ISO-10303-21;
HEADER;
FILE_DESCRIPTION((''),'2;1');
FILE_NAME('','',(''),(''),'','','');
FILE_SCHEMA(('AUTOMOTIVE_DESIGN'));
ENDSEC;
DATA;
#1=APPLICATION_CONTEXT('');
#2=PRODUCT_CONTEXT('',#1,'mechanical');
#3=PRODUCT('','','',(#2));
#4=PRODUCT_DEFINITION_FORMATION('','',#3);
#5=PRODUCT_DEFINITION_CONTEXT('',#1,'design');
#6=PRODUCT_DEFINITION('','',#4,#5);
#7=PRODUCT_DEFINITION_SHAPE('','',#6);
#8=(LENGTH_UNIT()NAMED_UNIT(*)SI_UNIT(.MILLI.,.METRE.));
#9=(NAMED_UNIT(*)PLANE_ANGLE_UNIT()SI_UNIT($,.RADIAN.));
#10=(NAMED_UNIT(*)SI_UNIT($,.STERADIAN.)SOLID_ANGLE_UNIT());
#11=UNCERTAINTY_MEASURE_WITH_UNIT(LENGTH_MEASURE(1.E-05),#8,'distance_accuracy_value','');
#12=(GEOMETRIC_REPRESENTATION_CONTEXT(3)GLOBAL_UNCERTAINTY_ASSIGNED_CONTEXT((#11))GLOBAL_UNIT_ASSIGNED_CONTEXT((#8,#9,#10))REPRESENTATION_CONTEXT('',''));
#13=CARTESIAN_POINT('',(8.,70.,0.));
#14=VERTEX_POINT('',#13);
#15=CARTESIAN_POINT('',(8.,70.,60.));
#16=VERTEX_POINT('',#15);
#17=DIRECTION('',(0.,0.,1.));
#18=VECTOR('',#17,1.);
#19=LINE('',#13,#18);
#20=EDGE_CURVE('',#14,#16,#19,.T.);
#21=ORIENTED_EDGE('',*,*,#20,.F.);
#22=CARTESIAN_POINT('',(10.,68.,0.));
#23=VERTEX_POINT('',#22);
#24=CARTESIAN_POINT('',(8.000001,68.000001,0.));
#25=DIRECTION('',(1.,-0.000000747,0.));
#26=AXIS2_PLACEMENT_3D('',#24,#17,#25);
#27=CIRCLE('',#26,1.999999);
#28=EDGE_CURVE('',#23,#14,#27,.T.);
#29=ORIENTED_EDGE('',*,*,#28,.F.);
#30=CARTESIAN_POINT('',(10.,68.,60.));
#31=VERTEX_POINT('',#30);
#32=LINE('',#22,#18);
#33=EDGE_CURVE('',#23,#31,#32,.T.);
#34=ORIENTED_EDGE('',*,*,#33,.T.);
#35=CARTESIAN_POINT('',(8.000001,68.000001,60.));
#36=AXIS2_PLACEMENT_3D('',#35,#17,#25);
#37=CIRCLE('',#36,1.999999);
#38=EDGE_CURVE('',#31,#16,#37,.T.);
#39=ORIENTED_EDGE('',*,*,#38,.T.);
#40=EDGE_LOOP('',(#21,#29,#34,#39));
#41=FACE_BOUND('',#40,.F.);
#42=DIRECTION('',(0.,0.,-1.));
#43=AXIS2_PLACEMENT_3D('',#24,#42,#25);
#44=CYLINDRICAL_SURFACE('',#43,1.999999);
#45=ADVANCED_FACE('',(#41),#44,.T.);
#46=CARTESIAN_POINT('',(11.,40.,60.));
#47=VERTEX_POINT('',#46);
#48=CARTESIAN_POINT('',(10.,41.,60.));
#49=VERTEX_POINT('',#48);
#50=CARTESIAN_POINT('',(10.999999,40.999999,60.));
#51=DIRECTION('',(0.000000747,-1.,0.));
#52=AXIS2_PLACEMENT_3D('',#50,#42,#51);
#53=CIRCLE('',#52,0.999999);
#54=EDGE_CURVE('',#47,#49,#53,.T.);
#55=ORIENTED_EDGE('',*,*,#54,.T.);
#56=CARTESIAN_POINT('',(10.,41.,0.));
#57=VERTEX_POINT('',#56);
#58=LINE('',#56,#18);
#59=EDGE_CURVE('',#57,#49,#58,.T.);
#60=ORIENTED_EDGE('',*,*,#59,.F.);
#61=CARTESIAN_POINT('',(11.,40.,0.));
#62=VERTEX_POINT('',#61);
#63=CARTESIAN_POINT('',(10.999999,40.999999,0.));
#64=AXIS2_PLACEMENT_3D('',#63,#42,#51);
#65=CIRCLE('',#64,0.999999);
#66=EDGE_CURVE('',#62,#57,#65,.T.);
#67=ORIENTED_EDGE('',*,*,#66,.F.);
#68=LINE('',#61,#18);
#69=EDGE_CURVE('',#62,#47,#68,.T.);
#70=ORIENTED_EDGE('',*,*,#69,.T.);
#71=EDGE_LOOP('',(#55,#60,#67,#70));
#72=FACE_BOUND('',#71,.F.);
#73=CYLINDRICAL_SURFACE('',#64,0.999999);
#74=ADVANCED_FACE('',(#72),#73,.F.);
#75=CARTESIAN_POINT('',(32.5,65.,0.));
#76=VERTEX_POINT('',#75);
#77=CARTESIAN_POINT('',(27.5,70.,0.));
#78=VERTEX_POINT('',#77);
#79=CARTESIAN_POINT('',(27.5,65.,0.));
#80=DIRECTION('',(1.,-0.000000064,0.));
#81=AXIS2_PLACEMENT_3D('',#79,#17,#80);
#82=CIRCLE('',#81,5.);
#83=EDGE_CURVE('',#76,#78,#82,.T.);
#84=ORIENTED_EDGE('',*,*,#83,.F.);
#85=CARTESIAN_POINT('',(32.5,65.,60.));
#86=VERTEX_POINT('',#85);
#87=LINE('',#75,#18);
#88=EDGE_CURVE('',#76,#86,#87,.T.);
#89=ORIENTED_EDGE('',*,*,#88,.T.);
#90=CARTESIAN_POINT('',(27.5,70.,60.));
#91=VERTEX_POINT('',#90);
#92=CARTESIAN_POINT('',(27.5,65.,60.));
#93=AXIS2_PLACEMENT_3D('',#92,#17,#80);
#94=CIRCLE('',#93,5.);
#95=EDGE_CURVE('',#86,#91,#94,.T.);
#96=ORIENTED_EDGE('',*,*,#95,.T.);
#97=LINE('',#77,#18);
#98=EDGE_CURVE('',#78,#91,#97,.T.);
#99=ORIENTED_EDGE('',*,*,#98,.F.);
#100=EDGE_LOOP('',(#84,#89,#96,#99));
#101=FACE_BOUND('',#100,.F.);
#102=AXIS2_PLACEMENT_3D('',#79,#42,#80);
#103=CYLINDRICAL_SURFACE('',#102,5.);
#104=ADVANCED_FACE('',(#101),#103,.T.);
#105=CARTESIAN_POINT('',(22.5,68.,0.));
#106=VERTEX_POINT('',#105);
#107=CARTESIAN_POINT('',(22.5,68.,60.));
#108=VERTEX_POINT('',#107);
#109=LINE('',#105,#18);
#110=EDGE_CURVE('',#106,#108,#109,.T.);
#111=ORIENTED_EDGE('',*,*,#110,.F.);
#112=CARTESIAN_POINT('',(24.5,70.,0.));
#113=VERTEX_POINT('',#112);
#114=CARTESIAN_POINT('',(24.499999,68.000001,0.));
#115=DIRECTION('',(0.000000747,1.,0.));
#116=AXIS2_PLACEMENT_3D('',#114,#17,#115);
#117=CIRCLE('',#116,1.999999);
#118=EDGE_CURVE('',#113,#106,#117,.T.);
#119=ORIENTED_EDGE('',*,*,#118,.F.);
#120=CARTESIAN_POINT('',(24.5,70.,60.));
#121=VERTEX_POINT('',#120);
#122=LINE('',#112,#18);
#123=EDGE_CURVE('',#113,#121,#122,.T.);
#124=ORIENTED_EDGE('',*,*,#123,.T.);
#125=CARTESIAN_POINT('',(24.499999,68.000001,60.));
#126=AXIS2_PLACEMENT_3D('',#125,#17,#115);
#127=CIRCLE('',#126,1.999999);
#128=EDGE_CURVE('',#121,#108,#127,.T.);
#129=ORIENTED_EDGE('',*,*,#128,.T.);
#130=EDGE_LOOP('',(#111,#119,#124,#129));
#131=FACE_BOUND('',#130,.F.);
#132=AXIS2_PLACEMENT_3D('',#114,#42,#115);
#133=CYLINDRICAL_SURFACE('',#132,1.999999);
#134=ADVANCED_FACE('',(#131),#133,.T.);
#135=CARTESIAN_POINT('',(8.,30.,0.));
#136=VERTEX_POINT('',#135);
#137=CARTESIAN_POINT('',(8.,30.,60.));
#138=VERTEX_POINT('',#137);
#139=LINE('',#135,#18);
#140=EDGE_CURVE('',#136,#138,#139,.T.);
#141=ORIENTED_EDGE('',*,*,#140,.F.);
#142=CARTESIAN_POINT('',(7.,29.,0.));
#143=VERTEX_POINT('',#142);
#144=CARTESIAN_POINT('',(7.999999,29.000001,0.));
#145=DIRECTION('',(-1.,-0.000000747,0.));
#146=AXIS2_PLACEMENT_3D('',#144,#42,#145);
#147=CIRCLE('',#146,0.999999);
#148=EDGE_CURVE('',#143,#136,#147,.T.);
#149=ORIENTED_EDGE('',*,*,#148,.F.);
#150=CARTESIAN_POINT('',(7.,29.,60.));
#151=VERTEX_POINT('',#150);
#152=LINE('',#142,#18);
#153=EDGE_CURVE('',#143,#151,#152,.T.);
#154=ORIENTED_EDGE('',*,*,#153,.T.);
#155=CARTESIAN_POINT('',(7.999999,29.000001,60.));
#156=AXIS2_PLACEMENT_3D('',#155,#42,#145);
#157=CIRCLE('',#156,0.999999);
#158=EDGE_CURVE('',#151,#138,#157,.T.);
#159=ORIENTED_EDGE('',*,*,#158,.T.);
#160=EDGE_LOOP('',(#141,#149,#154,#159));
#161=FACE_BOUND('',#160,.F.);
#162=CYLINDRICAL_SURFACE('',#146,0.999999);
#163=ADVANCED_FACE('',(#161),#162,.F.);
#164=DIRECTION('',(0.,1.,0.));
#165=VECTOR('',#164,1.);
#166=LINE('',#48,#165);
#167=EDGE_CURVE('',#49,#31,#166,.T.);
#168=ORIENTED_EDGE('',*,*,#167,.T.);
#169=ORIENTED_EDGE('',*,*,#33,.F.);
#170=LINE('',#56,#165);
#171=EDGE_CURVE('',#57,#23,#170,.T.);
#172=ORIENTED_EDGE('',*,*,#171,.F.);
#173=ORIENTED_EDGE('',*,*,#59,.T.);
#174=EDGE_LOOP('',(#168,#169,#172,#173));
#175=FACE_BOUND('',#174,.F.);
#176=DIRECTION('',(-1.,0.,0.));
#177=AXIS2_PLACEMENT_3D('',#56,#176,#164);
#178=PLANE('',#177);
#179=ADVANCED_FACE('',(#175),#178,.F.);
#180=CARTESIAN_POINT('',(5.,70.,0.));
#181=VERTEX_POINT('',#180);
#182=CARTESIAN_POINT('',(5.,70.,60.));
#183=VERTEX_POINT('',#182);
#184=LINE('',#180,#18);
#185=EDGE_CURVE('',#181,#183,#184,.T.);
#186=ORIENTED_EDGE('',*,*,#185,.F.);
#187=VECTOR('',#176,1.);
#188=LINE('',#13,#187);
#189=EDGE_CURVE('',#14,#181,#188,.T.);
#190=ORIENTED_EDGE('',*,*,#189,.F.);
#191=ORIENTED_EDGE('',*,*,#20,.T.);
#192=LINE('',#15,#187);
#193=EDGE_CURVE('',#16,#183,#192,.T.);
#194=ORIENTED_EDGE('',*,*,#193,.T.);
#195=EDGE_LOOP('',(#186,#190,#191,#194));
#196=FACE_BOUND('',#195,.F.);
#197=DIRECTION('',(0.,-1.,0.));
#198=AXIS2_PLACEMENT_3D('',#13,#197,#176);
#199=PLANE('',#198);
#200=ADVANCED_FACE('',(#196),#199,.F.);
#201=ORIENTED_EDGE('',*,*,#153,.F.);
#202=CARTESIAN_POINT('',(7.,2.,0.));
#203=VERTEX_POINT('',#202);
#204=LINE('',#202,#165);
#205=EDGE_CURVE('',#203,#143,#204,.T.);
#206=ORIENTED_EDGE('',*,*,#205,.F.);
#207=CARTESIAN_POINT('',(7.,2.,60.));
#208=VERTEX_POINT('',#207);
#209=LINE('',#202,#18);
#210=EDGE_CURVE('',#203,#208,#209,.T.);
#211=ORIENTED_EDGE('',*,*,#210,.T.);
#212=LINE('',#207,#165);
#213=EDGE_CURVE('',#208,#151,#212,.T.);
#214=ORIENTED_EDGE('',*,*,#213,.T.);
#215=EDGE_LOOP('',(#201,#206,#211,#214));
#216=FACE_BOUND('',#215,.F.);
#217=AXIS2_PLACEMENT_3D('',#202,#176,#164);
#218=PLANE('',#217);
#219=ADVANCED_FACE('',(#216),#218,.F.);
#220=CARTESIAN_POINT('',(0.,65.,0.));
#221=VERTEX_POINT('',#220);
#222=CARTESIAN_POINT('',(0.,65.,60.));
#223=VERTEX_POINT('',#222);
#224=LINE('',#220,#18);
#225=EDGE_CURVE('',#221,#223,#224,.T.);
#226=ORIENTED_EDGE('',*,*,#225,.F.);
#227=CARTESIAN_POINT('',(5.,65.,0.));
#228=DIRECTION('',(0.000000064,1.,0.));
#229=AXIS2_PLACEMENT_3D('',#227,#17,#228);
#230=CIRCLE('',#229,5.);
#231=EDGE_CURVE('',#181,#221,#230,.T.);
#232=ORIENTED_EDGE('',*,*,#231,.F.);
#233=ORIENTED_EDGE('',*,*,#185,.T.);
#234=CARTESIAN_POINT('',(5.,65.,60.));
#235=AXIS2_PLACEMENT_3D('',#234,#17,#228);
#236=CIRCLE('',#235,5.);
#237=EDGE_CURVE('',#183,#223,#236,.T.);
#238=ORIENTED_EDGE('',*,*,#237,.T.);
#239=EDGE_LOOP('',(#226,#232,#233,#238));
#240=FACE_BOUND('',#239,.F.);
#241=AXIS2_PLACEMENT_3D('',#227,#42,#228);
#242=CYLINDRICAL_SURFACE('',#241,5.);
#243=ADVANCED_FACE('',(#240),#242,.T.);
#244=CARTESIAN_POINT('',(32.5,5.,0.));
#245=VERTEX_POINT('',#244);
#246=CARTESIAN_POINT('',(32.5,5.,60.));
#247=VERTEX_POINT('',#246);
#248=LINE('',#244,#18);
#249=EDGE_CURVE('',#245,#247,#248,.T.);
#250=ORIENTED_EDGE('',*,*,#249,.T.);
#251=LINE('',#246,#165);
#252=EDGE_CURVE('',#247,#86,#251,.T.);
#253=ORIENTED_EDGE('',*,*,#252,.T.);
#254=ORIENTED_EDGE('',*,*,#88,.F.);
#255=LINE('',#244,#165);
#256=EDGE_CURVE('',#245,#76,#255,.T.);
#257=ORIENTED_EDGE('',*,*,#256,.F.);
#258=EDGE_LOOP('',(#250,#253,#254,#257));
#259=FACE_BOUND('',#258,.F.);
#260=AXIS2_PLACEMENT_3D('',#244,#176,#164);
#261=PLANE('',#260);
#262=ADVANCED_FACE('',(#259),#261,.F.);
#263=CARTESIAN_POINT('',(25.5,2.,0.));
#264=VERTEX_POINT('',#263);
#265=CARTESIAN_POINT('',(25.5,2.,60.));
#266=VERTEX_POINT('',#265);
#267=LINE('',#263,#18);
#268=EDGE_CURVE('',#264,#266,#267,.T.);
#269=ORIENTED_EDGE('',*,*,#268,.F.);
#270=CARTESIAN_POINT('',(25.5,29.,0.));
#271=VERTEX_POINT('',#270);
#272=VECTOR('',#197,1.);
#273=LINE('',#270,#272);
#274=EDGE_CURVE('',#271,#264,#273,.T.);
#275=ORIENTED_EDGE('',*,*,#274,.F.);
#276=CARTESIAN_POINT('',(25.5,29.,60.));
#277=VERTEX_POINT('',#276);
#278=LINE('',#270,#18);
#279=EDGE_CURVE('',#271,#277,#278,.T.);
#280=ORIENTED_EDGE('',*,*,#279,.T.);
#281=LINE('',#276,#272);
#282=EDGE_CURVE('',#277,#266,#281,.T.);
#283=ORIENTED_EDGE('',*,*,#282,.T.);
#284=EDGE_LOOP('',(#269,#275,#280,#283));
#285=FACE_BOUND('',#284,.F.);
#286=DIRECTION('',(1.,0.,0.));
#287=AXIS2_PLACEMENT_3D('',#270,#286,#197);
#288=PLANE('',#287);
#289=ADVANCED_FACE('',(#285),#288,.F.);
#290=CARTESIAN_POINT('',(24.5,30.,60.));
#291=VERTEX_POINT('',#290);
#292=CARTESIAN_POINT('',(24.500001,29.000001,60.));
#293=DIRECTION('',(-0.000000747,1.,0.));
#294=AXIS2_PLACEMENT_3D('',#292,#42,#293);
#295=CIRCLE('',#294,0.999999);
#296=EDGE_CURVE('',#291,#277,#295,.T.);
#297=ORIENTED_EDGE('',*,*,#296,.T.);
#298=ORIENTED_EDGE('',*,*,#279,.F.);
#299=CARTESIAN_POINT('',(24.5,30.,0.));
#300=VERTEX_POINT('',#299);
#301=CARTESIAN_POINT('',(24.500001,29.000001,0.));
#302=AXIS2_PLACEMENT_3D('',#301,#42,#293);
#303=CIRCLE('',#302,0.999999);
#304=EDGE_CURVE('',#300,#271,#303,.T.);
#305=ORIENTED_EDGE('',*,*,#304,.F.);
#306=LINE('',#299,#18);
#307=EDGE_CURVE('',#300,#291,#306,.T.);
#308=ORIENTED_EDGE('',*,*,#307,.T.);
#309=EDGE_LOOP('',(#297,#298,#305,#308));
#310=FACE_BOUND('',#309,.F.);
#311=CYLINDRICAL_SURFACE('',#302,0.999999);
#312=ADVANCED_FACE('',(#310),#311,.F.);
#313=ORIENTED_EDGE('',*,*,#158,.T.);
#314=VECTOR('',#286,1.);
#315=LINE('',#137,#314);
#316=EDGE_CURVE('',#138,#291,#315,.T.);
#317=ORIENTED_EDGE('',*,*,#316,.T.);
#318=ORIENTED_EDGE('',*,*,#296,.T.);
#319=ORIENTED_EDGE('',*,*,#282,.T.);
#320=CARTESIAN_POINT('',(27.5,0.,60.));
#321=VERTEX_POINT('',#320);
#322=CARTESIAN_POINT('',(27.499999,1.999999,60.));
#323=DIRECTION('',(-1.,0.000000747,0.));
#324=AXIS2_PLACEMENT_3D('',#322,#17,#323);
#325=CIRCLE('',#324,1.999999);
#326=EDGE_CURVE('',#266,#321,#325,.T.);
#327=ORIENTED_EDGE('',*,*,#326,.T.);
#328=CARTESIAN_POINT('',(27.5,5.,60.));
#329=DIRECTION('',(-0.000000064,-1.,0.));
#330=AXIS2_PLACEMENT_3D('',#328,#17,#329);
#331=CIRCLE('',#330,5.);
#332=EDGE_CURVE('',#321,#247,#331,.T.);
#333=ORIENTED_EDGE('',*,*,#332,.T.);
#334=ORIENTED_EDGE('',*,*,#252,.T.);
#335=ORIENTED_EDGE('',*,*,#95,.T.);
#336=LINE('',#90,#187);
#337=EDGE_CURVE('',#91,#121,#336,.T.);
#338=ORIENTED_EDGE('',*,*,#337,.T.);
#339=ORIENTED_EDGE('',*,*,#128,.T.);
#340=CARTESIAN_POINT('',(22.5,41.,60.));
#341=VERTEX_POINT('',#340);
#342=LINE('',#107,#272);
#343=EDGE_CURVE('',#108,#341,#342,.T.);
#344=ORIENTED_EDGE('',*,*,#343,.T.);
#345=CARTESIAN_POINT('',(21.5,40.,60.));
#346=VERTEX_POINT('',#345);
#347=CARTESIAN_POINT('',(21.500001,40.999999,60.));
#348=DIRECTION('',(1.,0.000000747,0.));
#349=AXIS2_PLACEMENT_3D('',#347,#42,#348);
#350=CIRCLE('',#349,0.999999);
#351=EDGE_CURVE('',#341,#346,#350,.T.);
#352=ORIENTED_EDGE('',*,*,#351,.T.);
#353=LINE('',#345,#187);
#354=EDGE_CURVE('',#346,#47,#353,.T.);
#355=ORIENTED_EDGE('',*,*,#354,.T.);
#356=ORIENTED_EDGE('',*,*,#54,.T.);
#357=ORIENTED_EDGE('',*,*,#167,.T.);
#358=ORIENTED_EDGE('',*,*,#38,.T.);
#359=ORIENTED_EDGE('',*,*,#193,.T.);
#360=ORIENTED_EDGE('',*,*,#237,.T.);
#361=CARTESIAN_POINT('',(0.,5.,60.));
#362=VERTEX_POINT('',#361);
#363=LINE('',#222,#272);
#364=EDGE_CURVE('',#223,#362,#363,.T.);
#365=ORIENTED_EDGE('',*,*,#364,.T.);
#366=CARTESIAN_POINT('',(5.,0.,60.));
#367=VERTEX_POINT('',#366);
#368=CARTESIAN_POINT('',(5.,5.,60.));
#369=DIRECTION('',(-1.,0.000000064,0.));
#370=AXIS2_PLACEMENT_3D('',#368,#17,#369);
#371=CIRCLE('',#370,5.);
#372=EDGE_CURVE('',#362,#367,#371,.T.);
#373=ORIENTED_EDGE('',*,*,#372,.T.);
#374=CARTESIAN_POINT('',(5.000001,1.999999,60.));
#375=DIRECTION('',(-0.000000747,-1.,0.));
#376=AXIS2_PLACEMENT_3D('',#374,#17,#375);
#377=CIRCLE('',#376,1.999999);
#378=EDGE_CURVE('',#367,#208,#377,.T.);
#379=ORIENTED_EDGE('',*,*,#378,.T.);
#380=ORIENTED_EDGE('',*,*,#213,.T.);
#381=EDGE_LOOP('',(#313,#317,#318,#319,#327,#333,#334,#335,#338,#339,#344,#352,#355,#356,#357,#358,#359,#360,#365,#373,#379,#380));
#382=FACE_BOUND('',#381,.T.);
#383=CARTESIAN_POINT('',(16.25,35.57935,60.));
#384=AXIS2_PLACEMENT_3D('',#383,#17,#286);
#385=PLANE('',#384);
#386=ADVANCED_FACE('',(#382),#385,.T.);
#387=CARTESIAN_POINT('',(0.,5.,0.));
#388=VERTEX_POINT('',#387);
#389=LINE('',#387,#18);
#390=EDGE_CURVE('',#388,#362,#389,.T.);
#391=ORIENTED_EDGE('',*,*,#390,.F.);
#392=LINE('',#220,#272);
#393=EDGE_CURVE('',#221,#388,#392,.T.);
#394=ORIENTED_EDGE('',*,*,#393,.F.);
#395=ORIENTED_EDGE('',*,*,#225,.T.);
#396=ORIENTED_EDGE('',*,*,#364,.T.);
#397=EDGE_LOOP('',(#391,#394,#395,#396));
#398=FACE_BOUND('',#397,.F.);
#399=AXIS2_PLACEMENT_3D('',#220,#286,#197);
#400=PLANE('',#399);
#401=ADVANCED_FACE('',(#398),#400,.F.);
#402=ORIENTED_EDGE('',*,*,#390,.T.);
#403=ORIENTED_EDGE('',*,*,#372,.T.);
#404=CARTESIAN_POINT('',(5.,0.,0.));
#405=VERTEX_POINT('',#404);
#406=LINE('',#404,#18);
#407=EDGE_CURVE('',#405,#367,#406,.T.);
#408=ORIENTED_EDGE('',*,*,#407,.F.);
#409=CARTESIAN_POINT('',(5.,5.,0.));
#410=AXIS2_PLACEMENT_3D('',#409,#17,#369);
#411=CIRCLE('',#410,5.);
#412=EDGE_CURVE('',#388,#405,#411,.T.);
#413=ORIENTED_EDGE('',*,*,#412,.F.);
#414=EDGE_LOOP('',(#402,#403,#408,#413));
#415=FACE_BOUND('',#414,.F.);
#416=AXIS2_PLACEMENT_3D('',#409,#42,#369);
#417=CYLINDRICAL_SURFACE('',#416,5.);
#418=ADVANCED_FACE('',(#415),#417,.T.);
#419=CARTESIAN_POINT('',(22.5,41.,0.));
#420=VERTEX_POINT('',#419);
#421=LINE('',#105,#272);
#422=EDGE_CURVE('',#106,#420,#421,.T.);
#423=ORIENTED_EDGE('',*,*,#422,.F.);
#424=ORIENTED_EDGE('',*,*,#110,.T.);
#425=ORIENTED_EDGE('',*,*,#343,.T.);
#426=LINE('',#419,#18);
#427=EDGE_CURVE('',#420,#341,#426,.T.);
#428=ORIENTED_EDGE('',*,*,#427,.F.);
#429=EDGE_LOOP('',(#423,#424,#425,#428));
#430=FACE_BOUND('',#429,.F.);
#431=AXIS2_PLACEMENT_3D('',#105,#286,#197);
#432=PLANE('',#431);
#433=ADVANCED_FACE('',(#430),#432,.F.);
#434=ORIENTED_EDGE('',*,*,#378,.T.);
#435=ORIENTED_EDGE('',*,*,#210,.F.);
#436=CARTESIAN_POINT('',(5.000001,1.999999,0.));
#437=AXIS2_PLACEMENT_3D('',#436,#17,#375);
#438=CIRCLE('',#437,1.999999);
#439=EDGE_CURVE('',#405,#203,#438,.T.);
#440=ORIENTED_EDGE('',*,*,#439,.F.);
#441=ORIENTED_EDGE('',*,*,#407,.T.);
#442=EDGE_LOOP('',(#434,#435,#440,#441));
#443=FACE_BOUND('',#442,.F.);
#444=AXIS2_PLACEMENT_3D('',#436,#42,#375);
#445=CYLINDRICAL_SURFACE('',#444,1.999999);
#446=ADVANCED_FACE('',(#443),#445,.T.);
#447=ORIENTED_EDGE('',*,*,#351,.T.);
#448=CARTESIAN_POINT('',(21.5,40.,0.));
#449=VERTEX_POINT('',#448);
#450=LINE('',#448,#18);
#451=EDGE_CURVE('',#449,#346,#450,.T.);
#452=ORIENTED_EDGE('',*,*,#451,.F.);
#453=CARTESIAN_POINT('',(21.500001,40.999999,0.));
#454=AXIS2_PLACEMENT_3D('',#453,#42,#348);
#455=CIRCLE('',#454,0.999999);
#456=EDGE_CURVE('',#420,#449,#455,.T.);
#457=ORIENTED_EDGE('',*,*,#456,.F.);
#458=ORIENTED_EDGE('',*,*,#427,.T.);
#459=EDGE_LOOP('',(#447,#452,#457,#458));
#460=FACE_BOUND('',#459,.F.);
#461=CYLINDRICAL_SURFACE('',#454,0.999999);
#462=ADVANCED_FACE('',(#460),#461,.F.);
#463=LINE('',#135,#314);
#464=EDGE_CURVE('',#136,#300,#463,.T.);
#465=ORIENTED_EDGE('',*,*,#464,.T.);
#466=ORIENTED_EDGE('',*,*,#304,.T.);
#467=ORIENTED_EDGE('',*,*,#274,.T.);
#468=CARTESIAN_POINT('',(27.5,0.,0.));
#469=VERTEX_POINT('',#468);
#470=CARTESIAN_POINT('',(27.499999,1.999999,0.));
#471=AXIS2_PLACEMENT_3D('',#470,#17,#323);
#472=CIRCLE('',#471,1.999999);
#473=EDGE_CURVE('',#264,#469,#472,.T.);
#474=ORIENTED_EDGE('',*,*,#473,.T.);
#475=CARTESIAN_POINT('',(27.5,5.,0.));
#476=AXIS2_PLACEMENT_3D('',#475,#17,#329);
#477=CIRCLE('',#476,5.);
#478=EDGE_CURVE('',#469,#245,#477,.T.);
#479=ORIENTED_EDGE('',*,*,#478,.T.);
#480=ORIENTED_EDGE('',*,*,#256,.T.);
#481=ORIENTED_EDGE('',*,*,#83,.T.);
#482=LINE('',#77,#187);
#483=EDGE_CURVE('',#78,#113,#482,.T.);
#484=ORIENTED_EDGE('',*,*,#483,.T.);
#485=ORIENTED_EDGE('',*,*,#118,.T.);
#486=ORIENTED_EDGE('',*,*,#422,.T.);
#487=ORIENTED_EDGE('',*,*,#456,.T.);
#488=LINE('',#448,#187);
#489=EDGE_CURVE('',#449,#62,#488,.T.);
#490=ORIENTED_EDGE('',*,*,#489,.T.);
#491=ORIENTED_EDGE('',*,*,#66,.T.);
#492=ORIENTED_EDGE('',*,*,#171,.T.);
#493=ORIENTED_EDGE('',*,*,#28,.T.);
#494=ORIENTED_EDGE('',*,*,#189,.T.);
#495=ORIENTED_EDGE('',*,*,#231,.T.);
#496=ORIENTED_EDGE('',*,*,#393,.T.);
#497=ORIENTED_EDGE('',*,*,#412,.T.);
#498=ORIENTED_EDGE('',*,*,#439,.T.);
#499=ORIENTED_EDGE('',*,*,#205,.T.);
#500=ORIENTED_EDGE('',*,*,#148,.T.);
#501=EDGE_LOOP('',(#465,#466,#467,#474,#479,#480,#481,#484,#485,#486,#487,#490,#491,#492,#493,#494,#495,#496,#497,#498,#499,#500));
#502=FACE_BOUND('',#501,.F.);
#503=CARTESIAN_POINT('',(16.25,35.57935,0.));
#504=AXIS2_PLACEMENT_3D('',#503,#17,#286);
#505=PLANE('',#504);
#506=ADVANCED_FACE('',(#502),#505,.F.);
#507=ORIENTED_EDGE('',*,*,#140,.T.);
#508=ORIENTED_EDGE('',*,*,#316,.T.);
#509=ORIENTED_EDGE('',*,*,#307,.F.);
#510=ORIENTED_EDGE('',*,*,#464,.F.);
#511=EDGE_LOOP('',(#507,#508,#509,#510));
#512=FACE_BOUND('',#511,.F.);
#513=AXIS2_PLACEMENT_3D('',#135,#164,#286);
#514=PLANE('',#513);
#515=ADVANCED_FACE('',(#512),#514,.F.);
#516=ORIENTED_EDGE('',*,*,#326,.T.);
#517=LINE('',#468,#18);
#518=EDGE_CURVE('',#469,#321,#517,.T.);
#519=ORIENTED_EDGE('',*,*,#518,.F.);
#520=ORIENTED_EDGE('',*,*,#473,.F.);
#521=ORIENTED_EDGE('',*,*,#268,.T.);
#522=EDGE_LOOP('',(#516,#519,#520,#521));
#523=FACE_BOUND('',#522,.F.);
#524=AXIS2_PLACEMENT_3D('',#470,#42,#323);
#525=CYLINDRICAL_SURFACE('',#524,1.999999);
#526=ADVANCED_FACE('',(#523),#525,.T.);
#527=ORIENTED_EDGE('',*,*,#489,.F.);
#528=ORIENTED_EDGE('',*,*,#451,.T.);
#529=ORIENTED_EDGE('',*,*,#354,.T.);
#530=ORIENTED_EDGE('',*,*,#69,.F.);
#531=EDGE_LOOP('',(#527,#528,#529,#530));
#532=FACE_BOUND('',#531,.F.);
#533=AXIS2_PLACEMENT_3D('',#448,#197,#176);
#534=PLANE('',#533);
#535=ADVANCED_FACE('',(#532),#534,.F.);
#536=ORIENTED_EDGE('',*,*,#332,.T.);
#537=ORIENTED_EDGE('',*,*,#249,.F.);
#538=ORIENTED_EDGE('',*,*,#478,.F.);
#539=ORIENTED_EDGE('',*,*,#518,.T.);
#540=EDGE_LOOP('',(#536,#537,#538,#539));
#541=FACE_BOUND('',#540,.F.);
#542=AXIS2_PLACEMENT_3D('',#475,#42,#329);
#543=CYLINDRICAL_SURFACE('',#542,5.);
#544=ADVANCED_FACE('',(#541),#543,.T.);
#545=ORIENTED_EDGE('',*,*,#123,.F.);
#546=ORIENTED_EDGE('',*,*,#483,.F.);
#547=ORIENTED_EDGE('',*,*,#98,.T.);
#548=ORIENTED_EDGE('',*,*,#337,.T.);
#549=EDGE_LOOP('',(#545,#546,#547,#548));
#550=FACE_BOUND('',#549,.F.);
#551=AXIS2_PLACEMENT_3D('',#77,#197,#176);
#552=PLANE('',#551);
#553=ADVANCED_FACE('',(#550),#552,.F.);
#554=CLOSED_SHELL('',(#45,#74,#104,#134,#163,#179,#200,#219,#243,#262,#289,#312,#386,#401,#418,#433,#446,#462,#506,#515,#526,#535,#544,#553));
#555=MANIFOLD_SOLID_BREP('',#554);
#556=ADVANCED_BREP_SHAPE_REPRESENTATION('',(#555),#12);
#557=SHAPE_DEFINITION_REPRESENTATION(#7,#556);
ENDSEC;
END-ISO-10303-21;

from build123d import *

# Parameters (mm, degrees)
F1_DEPTH = 60


with BuildPart() as f1:
    # F0 (on Top) → F1 (new body)
    with BuildSketch(Plane.XY):
        with BuildLine():
            Line((0, 65), (0, 5))
            ThreePointArc((0, 5), (1.464466, 1.464466), (5, 0))
            ThreePointArc((5, 0), (6.414214, 0.585786), (7, 2))
            Line((7, 2), (7, 29))
            ThreePointArc((7, 29), (7.292893, 29.707107), (8, 30))
            Line((8, 30), (24.5, 30))
            ThreePointArc((24.5, 30), (25.207107, 29.707107), (25.5, 29))
            Line((25.5, 29), (25.5, 2))
            ThreePointArc((25.5, 2), (26.085786, 0.585786), (27.5, 0))
            ThreePointArc((27.5, 0), (31.035534, 1.464466), (32.5, 5))
            Line((32.5, 5), (32.5, 65))
            ThreePointArc((32.5, 65), (31.035534, 68.535534), (27.5, 70))
            Line((27.5, 70), (24.5, 70))
            ThreePointArc((24.5, 70), (23.085786, 69.414214), (22.5, 68))
            Line((22.5, 68), (22.5, 41))
            ThreePointArc((22.5, 41), (22.207107, 40.292893), (21.5, 40))
            Line((21.5, 40), (11, 40))
            ThreePointArc((11, 40), (10.292893, 40.292893), (10, 41))
            Line((10, 41), (10, 68))
            ThreePointArc((10, 68), (9.414214, 69.414214), (8, 70))
            Line((8, 70), (5, 70))
            ThreePointArc((5, 70), (1.464466, 68.535534), (0, 65))
        make_face()
    extrude(amount=F1_DEPTH)


solid = f1.part
